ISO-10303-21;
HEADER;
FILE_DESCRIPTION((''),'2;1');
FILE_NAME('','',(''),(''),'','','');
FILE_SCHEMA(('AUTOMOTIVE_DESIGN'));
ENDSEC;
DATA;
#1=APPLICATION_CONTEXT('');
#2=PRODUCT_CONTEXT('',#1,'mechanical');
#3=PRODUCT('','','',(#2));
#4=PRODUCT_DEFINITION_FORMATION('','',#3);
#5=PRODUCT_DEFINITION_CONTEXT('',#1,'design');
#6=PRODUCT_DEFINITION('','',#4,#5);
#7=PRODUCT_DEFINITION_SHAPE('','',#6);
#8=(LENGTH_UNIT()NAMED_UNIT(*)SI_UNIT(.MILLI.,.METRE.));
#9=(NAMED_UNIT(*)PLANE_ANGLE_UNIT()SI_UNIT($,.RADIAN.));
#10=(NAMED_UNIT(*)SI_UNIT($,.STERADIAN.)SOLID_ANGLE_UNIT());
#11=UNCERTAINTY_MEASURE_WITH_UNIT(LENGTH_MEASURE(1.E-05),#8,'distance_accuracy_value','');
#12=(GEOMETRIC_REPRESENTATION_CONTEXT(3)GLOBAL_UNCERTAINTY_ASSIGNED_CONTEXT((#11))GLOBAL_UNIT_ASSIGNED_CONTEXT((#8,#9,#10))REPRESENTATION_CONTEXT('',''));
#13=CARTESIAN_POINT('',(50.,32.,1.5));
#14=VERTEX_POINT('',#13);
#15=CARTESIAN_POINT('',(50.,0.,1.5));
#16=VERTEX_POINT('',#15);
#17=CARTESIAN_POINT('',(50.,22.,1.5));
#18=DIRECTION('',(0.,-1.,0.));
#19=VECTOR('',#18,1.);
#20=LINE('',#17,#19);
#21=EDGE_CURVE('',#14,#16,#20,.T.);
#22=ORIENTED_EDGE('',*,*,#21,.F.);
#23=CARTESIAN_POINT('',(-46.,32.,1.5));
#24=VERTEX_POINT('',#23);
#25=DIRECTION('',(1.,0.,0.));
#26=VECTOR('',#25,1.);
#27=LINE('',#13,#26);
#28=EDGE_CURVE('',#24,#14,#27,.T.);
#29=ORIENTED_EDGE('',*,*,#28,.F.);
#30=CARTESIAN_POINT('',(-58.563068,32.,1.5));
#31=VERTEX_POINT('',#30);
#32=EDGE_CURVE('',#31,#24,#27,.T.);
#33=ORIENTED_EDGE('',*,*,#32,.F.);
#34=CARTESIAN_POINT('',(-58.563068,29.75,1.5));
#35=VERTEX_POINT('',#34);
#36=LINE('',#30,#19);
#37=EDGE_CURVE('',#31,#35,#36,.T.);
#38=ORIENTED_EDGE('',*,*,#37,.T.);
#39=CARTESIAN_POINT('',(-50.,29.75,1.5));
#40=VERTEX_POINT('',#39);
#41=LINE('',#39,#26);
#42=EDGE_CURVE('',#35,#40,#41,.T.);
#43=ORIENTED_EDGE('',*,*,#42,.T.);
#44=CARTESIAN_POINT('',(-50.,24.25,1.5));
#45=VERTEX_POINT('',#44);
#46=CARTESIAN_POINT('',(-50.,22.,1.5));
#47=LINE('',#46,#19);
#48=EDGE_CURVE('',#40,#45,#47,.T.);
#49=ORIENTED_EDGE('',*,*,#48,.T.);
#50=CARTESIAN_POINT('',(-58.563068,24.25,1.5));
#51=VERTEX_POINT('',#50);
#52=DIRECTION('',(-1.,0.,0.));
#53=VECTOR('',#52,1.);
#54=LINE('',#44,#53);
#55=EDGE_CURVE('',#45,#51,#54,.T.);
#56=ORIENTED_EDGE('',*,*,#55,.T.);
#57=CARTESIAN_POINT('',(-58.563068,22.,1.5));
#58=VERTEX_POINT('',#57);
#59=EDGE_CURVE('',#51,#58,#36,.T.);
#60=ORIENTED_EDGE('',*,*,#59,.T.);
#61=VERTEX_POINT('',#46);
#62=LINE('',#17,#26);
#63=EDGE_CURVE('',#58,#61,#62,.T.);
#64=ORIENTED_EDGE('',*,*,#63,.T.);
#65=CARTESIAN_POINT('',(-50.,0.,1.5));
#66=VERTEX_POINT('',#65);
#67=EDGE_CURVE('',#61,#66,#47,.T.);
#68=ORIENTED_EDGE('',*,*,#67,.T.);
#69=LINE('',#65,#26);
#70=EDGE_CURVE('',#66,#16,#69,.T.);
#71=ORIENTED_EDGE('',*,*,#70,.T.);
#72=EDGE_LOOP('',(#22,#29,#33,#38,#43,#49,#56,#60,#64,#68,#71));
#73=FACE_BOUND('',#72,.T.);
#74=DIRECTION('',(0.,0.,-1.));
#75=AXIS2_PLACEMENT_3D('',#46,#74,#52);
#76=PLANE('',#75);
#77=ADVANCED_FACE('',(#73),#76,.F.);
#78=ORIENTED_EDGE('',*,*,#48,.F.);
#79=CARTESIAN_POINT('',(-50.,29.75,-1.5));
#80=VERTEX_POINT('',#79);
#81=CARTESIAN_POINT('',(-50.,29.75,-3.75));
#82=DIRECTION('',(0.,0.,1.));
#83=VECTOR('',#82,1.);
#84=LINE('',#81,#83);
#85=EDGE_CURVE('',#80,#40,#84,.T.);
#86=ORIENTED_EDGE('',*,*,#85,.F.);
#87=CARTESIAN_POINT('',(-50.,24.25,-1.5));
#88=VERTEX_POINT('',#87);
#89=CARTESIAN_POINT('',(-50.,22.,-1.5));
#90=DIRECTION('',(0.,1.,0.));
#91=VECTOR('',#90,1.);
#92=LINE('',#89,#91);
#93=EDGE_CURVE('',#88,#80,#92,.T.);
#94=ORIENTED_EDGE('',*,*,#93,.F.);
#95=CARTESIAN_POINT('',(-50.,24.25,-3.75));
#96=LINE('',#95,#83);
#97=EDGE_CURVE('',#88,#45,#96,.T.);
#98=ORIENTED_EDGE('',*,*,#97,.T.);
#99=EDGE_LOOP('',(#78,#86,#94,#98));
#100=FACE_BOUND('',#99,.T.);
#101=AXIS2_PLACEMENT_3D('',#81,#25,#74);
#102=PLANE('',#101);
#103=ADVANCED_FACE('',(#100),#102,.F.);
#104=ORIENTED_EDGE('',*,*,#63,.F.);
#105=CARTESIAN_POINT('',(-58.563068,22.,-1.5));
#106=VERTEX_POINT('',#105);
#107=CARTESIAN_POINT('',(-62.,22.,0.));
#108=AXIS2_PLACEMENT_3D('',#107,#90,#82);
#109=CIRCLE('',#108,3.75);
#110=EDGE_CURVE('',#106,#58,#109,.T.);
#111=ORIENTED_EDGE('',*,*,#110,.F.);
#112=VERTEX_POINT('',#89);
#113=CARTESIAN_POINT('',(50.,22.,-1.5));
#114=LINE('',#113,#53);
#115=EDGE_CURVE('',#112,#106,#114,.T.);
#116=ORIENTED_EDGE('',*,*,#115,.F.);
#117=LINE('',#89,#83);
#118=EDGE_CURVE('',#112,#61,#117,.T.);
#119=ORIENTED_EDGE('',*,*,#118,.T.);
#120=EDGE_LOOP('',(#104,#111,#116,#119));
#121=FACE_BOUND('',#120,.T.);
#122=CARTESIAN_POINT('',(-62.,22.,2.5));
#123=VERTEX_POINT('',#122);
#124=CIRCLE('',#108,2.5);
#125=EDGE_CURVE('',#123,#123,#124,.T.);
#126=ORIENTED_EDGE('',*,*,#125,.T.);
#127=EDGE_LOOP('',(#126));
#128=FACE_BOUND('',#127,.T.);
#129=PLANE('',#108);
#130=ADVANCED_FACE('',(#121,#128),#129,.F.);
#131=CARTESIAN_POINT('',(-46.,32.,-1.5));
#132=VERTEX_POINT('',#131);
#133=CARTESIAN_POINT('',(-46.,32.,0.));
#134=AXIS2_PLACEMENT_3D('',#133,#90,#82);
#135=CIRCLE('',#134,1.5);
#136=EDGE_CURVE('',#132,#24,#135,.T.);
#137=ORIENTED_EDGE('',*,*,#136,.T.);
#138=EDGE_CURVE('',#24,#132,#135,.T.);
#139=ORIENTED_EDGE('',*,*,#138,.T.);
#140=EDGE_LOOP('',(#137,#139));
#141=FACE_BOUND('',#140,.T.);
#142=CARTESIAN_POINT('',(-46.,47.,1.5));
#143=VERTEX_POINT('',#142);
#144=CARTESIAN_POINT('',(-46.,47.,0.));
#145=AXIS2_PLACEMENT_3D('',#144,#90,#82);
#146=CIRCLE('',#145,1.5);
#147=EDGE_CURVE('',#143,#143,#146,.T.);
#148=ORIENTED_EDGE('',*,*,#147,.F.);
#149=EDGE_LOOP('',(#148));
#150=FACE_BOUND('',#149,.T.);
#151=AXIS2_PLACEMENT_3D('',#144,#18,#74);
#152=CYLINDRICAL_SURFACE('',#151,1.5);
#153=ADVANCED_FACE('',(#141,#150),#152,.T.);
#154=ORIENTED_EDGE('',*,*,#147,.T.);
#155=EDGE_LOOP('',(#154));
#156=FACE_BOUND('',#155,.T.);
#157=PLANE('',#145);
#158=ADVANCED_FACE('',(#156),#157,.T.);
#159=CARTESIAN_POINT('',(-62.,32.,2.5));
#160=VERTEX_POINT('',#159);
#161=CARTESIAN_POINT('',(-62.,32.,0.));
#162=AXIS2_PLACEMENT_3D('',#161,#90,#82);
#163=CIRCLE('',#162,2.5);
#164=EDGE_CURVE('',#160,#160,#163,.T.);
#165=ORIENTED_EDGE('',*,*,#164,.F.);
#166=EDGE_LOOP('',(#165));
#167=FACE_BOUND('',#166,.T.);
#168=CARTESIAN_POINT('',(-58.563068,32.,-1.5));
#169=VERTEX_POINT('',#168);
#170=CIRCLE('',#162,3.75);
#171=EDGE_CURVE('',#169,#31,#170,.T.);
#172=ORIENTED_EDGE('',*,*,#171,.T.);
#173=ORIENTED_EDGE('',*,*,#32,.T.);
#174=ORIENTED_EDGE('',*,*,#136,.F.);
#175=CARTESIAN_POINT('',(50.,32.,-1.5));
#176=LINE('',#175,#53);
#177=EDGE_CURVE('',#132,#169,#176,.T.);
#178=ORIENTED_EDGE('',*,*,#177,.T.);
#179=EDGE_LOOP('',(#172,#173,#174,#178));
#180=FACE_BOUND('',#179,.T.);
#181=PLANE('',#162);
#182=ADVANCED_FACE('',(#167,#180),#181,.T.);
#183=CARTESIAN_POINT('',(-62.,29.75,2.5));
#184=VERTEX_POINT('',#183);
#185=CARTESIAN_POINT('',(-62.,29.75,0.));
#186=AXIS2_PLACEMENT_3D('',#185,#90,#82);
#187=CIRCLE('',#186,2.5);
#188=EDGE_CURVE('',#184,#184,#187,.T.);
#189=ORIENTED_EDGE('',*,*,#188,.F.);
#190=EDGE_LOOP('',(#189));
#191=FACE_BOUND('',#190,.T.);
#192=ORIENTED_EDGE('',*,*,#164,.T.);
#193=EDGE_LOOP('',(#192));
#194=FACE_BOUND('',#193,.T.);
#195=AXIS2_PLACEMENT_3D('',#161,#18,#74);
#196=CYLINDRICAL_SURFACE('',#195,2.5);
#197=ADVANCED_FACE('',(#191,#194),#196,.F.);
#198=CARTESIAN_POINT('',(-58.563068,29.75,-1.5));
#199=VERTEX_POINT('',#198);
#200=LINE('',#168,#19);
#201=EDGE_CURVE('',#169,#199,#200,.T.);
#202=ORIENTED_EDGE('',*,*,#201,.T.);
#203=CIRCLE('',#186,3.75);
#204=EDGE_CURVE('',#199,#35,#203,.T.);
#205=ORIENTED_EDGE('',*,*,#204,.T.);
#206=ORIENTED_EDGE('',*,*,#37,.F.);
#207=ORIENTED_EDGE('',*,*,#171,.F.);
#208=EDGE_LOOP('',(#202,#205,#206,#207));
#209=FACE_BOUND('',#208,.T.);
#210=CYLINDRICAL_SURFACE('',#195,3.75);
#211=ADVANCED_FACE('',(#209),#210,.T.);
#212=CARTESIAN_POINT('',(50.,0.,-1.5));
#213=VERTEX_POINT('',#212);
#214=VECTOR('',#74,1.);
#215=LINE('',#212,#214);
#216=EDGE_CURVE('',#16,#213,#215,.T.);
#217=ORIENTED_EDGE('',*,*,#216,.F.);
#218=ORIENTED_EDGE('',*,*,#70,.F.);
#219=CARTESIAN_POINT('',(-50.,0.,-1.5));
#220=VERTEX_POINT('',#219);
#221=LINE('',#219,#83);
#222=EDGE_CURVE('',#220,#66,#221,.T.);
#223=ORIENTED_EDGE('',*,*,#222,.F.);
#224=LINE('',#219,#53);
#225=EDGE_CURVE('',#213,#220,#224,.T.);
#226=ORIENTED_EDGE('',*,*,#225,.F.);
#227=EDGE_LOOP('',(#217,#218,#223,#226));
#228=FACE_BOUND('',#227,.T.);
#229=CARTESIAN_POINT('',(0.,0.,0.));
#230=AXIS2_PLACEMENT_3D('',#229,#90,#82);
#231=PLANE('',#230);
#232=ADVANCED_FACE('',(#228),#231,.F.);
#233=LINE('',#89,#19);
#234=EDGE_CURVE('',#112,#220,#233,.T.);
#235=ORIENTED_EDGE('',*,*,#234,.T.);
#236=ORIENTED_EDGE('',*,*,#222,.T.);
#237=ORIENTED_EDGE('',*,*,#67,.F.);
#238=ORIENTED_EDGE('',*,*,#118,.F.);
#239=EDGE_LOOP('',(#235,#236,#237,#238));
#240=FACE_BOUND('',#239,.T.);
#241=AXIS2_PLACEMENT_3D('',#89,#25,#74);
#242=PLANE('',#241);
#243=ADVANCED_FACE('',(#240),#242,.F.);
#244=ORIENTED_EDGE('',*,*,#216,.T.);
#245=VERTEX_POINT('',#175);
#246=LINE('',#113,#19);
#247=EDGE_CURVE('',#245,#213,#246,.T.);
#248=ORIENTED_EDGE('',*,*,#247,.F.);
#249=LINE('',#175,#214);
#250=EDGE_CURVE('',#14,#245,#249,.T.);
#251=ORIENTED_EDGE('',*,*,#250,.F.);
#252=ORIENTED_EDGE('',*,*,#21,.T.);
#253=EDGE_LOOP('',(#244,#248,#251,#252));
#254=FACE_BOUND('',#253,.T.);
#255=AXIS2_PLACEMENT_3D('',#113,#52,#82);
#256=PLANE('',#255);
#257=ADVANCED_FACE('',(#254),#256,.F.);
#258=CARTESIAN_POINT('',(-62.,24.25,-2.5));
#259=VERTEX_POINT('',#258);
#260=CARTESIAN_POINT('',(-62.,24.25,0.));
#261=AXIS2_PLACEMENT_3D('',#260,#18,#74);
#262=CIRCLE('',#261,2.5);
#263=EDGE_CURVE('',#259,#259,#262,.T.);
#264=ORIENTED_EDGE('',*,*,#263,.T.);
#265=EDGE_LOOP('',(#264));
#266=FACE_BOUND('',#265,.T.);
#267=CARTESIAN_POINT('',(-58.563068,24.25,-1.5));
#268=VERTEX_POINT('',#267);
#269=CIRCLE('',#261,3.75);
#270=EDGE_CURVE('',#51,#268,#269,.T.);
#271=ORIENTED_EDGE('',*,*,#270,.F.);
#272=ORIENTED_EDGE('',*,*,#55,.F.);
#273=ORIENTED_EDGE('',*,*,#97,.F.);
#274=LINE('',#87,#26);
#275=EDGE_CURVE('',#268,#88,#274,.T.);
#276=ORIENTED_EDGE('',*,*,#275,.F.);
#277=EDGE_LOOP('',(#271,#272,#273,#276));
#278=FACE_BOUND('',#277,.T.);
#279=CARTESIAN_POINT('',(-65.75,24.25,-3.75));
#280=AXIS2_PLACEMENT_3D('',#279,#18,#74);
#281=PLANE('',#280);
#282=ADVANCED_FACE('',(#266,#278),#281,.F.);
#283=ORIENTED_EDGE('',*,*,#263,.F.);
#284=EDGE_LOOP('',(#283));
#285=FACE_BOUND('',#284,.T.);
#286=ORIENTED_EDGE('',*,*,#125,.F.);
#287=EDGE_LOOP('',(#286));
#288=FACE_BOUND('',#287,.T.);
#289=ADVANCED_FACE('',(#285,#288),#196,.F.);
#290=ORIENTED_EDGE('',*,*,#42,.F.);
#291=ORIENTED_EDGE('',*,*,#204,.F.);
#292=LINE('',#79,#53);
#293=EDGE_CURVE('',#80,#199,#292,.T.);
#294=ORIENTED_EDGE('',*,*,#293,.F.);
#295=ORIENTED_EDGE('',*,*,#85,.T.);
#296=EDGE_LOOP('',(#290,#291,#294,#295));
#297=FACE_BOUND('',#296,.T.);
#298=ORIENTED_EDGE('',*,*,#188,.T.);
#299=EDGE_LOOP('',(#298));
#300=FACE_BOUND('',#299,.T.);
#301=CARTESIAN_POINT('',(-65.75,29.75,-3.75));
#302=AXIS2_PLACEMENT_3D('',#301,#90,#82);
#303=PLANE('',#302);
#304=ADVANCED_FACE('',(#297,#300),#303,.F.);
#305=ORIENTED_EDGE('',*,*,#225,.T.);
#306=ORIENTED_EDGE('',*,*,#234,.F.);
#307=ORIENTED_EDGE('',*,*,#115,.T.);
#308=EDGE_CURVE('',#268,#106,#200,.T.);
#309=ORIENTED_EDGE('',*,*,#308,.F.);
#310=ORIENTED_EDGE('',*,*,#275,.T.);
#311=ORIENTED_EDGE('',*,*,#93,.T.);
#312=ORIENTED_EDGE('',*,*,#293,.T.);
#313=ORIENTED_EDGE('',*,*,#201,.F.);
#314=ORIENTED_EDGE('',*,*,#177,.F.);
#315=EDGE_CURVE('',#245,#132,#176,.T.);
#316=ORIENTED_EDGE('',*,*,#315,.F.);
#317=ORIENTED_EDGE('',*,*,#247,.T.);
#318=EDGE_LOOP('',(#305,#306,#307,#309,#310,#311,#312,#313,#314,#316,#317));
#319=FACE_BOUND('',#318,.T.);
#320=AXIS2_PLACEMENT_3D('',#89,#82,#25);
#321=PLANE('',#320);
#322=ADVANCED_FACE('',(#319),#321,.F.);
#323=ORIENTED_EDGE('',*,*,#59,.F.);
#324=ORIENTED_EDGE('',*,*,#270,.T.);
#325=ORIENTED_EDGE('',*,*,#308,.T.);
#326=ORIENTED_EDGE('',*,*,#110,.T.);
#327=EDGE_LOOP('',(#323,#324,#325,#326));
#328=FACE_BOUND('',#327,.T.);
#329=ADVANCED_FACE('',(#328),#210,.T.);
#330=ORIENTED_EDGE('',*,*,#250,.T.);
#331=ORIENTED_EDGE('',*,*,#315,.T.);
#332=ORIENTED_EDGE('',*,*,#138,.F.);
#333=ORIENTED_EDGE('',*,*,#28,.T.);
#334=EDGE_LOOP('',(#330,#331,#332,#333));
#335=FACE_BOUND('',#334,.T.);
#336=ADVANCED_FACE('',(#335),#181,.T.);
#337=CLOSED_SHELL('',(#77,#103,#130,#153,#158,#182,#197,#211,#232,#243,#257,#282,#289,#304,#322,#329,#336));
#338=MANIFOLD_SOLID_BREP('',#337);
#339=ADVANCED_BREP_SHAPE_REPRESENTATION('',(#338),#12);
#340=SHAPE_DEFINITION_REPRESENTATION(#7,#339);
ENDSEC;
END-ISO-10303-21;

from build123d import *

# Parameters (mm, degrees)
SKETCH2_W               = 100
SKETCH2_H               = 3
BOSS_EXTRUDE1_DEPTH     = 22
SKETCH3_R               = 2.5
BOSS_EXTRUDE2_DEPTH     = 10
SKETCH4_R               = 1.5
BOSS_EXTRUDE3_DEPTH     = 15
CUT_EXTRUDE1_DEPTH      = 81.991511901
CUT_EXTRUDE1_DEPTH_BACK = 81.991511901


with BuildPart() as part:
    # Sketch2 → Boss-Extrude1 (new body)
    with BuildSketch(Plane(origin=(0, 0, 0), x_dir=(1, 0, 0), z_dir=(0, 1, 0))):
        Rectangle(SKETCH2_W, SKETCH2_H)
    extrude(amount=BOSS_EXTRUDE1_DEPTH)

    # Sketch3 → Boss-Extrude2 (add)
    with BuildSketch(Plane(origin=(0, 22, 0), x_dir=(1, 0, 0), z_dir=(0, 1, 0))):
        with BuildLine():
            Line((50, 1.5), (-58.563068229, 1.5))
            ThreePointArc((-58.563068229, 1.5), (-65.75, 0), (-58.563068229, -1.5))
            Line((-58.563068229, -1.5), (50, -1.5))
            Line((50, -1.5), (50, 1.5))
        make_face()
        with Locations(Location((-62, 0, 0), (0, 0, 270))):
            Circle(SKETCH3_R, mode=Mode.SUBTRACT)
    extrude(amount=BOSS_EXTRUDE2_DEPTH)

    # Sketch4 → Boss-Extrude3 (add)
    with BuildSketch(Plane(origin=(0, 32, 0), x_dir=(1, 0, 0), z_dir=(0, 1, 0))):
        with Locations(Location((-46, 0, 0), (0, 0, 270))):
            Circle(SKETCH4_R)
    extrude(amount=BOSS_EXTRUDE3_DEPTH)

    # Sketch5 → Cut-Extrude1 (cut, two sides: drawn at the far end of the back side and taken through both)
    with BuildSketch(Plane.XY.offset(1.5).offset(-CUT_EXTRUDE1_DEPTH_BACK)):
        Polygon((-65.75, 27), (-65.75, 24.25), (-50, 24.25), (-50, 29.75), (-65.75, 29.75), align=None)
    extrude(amount=CUT_EXTRUDE1_DEPTH + CUT_EXTRUDE1_DEPTH_BACK, mode=Mode.SUBTRACT)


solid = part.part
